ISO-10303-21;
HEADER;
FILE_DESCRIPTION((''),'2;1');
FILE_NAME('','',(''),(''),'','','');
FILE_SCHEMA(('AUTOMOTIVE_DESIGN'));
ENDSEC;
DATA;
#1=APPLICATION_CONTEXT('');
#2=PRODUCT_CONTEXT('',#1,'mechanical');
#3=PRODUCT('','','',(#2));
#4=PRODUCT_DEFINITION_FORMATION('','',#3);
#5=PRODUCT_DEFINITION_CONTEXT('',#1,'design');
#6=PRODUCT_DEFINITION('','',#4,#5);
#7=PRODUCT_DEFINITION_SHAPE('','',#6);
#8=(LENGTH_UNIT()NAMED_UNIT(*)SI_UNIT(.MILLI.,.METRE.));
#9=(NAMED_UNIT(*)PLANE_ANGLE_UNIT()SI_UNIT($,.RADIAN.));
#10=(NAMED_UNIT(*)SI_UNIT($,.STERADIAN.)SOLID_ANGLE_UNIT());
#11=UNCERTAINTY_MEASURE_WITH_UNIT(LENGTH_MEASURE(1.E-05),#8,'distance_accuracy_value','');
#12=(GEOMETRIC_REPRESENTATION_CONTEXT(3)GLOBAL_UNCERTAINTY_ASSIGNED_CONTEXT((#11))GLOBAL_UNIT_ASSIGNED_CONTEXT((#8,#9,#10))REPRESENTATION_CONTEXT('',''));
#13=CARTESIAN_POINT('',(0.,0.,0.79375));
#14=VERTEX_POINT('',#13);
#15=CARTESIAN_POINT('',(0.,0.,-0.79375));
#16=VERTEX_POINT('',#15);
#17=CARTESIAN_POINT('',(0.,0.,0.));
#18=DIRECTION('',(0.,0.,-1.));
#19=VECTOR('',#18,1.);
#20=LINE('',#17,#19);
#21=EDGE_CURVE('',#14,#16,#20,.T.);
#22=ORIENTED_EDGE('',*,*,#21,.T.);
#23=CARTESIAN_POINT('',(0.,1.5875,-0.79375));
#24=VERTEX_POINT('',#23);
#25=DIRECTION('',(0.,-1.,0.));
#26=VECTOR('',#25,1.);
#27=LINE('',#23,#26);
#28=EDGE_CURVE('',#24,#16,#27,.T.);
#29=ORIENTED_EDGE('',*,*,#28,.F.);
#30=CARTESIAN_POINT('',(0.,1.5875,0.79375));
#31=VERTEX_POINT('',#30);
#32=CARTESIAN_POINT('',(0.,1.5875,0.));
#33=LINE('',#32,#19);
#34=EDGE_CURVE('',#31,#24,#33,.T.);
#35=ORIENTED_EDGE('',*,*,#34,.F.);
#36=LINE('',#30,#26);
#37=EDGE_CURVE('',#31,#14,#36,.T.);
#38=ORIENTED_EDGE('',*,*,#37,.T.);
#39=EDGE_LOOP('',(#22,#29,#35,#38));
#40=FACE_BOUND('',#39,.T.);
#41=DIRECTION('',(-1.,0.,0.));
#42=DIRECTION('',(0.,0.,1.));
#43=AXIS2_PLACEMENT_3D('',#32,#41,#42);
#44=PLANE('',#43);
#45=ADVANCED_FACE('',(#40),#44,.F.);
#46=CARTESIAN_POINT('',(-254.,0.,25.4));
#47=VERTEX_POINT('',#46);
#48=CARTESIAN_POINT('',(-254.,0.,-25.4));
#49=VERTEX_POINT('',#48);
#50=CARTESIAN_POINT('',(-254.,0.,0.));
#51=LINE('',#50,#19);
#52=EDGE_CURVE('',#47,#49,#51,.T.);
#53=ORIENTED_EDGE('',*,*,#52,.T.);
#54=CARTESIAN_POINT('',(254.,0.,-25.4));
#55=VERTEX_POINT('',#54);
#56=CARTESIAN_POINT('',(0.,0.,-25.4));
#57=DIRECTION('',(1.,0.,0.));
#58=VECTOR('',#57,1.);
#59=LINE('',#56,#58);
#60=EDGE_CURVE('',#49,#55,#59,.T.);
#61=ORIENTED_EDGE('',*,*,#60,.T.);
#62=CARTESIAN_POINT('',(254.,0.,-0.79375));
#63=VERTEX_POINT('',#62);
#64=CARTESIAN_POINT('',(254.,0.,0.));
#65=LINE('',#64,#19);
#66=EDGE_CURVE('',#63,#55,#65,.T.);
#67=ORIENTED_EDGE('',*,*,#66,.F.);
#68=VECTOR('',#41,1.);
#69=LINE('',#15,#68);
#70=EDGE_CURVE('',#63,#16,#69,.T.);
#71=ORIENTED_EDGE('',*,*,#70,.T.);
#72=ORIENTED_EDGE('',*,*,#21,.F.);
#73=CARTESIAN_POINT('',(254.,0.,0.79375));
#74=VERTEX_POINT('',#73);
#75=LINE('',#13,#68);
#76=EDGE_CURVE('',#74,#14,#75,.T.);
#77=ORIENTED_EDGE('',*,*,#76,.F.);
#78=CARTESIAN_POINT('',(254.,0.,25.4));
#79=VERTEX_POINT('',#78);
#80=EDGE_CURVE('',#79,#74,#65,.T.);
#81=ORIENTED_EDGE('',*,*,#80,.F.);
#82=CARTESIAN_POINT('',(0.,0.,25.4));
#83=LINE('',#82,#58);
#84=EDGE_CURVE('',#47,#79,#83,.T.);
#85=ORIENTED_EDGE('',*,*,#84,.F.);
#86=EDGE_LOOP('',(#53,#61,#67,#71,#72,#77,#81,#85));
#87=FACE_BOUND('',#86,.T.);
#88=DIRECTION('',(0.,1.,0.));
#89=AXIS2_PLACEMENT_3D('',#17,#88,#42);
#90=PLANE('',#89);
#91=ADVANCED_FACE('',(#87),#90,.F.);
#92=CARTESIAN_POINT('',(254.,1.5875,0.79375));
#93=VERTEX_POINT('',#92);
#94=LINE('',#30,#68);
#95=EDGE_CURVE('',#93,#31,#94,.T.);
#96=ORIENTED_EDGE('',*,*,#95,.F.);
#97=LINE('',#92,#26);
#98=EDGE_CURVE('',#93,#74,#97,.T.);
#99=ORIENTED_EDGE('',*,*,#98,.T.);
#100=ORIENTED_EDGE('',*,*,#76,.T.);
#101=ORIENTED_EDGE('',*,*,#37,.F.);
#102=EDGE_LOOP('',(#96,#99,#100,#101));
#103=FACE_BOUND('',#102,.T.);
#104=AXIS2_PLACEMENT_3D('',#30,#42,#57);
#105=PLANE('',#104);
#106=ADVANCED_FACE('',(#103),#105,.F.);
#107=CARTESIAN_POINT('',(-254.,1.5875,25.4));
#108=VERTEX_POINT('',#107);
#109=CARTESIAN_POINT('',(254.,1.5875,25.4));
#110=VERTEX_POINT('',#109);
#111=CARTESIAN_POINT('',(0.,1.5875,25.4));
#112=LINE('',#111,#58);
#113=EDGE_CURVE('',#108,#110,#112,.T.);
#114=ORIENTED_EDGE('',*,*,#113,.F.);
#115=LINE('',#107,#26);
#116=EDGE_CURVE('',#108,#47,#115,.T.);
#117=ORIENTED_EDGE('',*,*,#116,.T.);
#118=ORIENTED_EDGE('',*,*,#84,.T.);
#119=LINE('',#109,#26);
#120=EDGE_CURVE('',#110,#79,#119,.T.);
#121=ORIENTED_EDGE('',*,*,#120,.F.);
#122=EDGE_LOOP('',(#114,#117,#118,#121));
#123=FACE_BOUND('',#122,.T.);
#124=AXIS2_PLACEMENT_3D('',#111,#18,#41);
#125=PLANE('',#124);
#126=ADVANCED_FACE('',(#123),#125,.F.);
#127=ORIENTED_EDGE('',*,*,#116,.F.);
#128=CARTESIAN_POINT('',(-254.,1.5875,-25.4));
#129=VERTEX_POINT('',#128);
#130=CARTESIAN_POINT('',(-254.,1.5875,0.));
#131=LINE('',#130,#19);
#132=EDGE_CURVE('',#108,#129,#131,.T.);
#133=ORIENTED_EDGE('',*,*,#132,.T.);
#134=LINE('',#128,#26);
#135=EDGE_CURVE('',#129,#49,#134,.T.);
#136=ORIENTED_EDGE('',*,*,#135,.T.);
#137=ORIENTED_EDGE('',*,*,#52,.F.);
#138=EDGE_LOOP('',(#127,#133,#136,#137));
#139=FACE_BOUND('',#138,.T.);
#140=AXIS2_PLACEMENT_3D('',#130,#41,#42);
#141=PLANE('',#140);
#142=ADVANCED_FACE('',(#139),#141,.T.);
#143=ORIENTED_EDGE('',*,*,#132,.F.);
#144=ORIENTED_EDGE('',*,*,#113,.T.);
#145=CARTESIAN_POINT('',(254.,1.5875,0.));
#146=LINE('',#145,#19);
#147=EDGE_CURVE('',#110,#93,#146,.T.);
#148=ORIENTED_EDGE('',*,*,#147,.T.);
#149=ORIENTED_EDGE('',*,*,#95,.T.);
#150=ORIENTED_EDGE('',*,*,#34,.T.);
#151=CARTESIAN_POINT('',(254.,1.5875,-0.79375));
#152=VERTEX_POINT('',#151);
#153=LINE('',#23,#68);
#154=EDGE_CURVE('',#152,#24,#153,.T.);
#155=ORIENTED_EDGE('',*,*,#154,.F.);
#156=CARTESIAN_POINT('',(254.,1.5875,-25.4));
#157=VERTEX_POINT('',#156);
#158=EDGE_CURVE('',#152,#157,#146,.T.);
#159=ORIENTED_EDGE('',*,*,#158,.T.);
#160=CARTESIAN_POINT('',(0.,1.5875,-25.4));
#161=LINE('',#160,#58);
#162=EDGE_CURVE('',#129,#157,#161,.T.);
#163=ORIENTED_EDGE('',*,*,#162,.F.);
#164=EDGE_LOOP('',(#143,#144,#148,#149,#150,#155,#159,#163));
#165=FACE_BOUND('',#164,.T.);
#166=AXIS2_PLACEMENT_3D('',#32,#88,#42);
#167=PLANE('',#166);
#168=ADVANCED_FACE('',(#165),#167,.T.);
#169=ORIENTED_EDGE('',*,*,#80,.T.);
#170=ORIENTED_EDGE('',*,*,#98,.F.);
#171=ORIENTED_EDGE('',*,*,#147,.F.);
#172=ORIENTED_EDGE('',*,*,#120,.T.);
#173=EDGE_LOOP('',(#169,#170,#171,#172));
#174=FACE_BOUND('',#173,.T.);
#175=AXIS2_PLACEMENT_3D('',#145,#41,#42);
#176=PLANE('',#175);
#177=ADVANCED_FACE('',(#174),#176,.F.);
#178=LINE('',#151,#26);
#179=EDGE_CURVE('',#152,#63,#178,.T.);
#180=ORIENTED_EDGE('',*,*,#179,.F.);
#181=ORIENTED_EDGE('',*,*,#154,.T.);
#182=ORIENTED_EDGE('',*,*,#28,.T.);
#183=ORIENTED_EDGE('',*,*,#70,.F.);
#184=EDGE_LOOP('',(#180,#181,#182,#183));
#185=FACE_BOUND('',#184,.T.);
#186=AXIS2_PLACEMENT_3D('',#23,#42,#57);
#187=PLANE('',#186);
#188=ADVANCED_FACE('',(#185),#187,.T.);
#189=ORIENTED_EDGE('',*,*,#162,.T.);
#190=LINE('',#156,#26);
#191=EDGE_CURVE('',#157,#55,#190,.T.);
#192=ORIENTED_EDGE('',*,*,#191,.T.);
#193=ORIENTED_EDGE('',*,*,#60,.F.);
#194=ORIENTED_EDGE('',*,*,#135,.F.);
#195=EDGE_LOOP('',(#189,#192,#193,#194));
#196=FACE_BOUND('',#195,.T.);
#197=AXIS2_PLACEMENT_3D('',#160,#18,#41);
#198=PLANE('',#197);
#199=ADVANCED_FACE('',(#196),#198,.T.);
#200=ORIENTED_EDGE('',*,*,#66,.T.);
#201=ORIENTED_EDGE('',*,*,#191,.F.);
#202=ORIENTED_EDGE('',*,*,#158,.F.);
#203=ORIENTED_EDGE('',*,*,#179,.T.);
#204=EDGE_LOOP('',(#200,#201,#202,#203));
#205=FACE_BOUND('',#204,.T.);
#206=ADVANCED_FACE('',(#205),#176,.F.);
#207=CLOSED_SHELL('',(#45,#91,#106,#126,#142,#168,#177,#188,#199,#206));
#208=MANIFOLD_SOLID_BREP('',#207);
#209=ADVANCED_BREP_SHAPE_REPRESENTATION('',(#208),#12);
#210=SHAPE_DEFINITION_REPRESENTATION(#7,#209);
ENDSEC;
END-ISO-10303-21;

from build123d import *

# Parameters (mm, degrees)
BOSS_EXTRUDE1_DEPTH = 1.5875


with BuildPart() as part:
    # Sketch1 → Boss-Extrude1 (new body)
    with BuildSketch(Plane(origin=(0, 0, 0), x_dir=(1, 0, 0), z_dir=(0, 1, 0))):
        Polygon((-254, 25.4), (-254, -25.4), (254, -25.4), (254, -0.79375), (0, -0.79375), (0, 0.79375), (254, 0.79375), (254, 25.4), align=None)
    extrude(amount=BOSS_EXTRUDE1_DEPTH)


solid = part.part
